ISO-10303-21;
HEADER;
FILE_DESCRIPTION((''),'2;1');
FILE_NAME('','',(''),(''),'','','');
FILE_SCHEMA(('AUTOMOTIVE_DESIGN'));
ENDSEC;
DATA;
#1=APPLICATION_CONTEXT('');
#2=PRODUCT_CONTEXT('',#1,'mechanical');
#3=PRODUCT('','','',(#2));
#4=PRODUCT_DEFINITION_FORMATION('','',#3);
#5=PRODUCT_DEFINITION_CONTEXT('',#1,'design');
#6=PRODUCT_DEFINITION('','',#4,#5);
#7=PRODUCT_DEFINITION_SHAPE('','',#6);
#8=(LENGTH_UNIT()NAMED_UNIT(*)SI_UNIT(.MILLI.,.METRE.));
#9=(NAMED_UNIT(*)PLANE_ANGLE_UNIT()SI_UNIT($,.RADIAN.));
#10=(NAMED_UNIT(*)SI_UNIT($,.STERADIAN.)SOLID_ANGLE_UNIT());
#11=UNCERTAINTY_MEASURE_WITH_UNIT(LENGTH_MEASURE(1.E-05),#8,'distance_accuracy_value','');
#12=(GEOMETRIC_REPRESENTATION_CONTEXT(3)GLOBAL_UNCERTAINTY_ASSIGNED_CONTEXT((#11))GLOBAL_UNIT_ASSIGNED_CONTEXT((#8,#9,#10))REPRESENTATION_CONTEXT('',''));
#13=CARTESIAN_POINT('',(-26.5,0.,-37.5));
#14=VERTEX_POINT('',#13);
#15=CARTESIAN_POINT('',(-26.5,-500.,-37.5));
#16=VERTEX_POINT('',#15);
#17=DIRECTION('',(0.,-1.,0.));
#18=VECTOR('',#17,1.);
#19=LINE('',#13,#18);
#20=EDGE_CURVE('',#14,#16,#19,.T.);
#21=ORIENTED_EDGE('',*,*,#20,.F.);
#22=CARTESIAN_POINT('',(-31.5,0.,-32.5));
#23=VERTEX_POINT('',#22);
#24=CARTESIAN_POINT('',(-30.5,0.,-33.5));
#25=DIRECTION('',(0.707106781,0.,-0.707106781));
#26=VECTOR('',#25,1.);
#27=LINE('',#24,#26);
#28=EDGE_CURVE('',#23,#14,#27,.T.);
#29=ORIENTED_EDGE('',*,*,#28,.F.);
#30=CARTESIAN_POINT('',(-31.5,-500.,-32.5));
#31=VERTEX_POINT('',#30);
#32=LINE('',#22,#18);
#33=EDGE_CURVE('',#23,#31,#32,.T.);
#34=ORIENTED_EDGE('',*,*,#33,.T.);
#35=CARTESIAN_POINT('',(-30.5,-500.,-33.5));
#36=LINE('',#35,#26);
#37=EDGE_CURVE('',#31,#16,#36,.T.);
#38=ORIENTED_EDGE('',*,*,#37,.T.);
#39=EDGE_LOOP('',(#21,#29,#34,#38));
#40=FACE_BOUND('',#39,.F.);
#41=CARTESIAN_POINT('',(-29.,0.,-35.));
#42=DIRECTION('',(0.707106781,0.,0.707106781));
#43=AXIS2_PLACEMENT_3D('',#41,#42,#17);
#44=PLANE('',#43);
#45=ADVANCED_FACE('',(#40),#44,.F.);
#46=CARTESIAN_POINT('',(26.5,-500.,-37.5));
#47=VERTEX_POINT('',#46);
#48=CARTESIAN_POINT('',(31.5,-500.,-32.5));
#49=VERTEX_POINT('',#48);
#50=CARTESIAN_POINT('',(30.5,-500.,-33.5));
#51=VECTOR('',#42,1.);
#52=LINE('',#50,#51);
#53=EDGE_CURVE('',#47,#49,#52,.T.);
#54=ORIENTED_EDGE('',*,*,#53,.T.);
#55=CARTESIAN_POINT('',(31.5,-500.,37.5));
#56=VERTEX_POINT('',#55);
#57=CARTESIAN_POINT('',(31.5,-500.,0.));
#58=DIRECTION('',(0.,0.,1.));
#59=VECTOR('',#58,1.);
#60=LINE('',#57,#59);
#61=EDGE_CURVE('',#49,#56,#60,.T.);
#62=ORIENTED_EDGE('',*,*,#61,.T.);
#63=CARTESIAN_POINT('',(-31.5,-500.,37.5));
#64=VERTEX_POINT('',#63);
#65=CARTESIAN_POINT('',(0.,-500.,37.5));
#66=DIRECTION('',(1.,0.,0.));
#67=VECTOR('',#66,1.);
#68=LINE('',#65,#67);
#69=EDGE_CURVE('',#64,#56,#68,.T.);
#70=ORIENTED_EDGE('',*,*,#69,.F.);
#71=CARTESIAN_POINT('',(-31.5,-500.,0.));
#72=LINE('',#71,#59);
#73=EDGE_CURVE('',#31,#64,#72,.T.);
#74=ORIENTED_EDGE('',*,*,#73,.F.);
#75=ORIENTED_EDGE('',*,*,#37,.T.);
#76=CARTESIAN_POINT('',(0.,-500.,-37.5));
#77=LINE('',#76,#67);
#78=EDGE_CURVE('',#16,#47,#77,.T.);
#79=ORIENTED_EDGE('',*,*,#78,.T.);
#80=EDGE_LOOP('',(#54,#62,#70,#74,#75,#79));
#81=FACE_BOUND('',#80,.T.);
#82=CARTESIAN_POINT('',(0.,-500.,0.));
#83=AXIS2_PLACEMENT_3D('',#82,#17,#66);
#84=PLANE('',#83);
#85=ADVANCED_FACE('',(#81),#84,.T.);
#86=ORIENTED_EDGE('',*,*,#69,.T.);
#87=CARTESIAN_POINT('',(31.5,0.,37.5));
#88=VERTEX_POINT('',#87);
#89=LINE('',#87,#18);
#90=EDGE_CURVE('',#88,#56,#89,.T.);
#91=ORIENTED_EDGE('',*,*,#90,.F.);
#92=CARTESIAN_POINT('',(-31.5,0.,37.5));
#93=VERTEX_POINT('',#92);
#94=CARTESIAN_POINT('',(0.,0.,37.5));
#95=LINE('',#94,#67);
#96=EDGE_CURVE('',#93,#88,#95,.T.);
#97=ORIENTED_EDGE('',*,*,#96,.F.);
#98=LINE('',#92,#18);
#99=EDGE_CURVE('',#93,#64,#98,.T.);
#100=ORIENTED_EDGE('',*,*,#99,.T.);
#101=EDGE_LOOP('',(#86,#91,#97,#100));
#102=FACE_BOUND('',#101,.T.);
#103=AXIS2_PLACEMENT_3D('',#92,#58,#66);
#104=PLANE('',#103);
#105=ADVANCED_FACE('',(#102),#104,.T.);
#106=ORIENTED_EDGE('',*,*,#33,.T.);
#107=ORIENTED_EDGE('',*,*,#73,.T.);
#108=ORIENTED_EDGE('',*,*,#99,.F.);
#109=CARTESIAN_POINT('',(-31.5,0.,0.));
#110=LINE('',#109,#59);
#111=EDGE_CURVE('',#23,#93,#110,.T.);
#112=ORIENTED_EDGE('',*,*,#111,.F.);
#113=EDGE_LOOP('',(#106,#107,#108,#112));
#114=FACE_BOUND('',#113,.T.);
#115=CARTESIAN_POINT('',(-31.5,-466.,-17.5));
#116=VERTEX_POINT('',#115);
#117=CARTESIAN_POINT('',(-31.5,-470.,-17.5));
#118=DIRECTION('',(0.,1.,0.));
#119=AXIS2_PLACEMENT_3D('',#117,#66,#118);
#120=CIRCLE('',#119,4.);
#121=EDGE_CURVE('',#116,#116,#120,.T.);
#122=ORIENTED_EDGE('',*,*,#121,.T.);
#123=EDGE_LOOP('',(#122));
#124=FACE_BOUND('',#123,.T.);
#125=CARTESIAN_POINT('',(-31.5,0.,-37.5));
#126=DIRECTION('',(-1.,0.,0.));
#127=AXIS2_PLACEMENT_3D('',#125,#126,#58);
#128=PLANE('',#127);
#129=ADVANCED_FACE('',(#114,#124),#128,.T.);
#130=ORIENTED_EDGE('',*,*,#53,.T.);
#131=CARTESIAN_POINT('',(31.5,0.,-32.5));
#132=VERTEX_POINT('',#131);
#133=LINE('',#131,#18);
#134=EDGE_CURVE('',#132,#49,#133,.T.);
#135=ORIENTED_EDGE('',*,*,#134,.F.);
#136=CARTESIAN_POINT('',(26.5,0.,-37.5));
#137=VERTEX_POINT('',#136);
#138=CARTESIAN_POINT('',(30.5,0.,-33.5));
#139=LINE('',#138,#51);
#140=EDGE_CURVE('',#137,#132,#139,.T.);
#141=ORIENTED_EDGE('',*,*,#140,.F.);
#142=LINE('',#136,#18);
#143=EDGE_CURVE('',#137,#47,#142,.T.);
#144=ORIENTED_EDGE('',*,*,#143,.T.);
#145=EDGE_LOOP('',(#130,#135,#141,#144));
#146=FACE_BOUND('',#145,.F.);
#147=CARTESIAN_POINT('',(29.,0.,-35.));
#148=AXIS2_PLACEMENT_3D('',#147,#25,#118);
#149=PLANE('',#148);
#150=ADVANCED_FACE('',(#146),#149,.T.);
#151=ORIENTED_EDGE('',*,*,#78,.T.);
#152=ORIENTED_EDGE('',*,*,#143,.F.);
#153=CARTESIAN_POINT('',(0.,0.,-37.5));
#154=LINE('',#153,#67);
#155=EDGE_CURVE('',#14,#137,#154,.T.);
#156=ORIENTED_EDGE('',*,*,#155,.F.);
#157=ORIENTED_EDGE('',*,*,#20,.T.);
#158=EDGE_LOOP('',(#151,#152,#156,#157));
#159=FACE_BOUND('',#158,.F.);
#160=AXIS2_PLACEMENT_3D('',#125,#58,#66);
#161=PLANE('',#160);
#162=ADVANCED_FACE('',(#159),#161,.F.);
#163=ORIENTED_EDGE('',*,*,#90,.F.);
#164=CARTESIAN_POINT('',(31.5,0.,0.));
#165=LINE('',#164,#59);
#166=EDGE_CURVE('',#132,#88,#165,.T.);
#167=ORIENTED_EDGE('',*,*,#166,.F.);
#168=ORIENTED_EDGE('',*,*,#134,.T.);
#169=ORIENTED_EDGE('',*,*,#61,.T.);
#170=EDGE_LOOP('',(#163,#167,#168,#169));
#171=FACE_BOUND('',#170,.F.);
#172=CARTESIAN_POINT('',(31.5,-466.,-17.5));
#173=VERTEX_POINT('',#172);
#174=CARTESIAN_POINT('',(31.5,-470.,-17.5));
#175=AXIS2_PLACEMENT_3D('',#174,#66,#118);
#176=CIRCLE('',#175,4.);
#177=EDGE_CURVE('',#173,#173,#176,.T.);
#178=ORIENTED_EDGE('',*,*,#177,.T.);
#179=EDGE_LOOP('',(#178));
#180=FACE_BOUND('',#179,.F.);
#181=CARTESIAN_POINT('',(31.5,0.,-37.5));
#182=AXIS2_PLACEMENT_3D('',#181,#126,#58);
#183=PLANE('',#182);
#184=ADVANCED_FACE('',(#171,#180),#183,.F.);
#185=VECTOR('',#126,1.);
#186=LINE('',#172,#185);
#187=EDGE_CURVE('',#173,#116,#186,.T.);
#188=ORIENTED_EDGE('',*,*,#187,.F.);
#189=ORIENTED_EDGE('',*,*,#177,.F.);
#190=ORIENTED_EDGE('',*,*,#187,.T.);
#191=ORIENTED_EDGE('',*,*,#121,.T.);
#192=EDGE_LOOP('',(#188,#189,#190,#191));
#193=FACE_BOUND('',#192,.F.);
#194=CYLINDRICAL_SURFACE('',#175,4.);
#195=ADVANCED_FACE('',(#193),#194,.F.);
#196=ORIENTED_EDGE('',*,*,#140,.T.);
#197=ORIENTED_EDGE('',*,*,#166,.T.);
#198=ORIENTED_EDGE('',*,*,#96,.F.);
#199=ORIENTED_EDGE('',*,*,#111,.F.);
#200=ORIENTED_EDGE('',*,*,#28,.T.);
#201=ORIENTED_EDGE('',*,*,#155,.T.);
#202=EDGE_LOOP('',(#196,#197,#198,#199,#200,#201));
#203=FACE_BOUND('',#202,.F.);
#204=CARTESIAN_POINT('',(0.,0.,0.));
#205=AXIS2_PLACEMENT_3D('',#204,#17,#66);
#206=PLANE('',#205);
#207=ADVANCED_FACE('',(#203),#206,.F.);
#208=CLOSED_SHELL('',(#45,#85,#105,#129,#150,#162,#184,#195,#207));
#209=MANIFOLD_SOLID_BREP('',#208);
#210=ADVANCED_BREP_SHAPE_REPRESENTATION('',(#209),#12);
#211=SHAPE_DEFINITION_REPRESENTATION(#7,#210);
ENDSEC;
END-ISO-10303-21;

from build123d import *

# Parameters (mm, degrees)
F0_W     = 63
F0_H     = 75
F1_DEPTH = 500
F2_SIZE  = 5
F3_R     = 4
F4_DEPTH = 63.001


with BuildPart() as f1:
    # F0 (on Front) → F1 (new body)
    with BuildSketch(Plane.XZ):
        Rectangle(F0_W, F0_H)
    extrude(amount=F1_DEPTH)

    # F2
    f2_edges = [f1.edges().sort_by_distance(p)[0] for p in [
        (31.5, -250, -37.5),
        (-31.5, -250, -37.5),
    ]]
    chamfer(f2_edges, length=F2_SIZE)

    # F3 (on face) → F4 (cut, through all)
    with BuildSketch(Plane.YZ.offset(31.5)):
        with Locations((-470, -17.5)):
            Circle(F3_R)
    extrude(amount=-F4_DEPTH, mode=Mode.SUBTRACT)


solid = f1.part
